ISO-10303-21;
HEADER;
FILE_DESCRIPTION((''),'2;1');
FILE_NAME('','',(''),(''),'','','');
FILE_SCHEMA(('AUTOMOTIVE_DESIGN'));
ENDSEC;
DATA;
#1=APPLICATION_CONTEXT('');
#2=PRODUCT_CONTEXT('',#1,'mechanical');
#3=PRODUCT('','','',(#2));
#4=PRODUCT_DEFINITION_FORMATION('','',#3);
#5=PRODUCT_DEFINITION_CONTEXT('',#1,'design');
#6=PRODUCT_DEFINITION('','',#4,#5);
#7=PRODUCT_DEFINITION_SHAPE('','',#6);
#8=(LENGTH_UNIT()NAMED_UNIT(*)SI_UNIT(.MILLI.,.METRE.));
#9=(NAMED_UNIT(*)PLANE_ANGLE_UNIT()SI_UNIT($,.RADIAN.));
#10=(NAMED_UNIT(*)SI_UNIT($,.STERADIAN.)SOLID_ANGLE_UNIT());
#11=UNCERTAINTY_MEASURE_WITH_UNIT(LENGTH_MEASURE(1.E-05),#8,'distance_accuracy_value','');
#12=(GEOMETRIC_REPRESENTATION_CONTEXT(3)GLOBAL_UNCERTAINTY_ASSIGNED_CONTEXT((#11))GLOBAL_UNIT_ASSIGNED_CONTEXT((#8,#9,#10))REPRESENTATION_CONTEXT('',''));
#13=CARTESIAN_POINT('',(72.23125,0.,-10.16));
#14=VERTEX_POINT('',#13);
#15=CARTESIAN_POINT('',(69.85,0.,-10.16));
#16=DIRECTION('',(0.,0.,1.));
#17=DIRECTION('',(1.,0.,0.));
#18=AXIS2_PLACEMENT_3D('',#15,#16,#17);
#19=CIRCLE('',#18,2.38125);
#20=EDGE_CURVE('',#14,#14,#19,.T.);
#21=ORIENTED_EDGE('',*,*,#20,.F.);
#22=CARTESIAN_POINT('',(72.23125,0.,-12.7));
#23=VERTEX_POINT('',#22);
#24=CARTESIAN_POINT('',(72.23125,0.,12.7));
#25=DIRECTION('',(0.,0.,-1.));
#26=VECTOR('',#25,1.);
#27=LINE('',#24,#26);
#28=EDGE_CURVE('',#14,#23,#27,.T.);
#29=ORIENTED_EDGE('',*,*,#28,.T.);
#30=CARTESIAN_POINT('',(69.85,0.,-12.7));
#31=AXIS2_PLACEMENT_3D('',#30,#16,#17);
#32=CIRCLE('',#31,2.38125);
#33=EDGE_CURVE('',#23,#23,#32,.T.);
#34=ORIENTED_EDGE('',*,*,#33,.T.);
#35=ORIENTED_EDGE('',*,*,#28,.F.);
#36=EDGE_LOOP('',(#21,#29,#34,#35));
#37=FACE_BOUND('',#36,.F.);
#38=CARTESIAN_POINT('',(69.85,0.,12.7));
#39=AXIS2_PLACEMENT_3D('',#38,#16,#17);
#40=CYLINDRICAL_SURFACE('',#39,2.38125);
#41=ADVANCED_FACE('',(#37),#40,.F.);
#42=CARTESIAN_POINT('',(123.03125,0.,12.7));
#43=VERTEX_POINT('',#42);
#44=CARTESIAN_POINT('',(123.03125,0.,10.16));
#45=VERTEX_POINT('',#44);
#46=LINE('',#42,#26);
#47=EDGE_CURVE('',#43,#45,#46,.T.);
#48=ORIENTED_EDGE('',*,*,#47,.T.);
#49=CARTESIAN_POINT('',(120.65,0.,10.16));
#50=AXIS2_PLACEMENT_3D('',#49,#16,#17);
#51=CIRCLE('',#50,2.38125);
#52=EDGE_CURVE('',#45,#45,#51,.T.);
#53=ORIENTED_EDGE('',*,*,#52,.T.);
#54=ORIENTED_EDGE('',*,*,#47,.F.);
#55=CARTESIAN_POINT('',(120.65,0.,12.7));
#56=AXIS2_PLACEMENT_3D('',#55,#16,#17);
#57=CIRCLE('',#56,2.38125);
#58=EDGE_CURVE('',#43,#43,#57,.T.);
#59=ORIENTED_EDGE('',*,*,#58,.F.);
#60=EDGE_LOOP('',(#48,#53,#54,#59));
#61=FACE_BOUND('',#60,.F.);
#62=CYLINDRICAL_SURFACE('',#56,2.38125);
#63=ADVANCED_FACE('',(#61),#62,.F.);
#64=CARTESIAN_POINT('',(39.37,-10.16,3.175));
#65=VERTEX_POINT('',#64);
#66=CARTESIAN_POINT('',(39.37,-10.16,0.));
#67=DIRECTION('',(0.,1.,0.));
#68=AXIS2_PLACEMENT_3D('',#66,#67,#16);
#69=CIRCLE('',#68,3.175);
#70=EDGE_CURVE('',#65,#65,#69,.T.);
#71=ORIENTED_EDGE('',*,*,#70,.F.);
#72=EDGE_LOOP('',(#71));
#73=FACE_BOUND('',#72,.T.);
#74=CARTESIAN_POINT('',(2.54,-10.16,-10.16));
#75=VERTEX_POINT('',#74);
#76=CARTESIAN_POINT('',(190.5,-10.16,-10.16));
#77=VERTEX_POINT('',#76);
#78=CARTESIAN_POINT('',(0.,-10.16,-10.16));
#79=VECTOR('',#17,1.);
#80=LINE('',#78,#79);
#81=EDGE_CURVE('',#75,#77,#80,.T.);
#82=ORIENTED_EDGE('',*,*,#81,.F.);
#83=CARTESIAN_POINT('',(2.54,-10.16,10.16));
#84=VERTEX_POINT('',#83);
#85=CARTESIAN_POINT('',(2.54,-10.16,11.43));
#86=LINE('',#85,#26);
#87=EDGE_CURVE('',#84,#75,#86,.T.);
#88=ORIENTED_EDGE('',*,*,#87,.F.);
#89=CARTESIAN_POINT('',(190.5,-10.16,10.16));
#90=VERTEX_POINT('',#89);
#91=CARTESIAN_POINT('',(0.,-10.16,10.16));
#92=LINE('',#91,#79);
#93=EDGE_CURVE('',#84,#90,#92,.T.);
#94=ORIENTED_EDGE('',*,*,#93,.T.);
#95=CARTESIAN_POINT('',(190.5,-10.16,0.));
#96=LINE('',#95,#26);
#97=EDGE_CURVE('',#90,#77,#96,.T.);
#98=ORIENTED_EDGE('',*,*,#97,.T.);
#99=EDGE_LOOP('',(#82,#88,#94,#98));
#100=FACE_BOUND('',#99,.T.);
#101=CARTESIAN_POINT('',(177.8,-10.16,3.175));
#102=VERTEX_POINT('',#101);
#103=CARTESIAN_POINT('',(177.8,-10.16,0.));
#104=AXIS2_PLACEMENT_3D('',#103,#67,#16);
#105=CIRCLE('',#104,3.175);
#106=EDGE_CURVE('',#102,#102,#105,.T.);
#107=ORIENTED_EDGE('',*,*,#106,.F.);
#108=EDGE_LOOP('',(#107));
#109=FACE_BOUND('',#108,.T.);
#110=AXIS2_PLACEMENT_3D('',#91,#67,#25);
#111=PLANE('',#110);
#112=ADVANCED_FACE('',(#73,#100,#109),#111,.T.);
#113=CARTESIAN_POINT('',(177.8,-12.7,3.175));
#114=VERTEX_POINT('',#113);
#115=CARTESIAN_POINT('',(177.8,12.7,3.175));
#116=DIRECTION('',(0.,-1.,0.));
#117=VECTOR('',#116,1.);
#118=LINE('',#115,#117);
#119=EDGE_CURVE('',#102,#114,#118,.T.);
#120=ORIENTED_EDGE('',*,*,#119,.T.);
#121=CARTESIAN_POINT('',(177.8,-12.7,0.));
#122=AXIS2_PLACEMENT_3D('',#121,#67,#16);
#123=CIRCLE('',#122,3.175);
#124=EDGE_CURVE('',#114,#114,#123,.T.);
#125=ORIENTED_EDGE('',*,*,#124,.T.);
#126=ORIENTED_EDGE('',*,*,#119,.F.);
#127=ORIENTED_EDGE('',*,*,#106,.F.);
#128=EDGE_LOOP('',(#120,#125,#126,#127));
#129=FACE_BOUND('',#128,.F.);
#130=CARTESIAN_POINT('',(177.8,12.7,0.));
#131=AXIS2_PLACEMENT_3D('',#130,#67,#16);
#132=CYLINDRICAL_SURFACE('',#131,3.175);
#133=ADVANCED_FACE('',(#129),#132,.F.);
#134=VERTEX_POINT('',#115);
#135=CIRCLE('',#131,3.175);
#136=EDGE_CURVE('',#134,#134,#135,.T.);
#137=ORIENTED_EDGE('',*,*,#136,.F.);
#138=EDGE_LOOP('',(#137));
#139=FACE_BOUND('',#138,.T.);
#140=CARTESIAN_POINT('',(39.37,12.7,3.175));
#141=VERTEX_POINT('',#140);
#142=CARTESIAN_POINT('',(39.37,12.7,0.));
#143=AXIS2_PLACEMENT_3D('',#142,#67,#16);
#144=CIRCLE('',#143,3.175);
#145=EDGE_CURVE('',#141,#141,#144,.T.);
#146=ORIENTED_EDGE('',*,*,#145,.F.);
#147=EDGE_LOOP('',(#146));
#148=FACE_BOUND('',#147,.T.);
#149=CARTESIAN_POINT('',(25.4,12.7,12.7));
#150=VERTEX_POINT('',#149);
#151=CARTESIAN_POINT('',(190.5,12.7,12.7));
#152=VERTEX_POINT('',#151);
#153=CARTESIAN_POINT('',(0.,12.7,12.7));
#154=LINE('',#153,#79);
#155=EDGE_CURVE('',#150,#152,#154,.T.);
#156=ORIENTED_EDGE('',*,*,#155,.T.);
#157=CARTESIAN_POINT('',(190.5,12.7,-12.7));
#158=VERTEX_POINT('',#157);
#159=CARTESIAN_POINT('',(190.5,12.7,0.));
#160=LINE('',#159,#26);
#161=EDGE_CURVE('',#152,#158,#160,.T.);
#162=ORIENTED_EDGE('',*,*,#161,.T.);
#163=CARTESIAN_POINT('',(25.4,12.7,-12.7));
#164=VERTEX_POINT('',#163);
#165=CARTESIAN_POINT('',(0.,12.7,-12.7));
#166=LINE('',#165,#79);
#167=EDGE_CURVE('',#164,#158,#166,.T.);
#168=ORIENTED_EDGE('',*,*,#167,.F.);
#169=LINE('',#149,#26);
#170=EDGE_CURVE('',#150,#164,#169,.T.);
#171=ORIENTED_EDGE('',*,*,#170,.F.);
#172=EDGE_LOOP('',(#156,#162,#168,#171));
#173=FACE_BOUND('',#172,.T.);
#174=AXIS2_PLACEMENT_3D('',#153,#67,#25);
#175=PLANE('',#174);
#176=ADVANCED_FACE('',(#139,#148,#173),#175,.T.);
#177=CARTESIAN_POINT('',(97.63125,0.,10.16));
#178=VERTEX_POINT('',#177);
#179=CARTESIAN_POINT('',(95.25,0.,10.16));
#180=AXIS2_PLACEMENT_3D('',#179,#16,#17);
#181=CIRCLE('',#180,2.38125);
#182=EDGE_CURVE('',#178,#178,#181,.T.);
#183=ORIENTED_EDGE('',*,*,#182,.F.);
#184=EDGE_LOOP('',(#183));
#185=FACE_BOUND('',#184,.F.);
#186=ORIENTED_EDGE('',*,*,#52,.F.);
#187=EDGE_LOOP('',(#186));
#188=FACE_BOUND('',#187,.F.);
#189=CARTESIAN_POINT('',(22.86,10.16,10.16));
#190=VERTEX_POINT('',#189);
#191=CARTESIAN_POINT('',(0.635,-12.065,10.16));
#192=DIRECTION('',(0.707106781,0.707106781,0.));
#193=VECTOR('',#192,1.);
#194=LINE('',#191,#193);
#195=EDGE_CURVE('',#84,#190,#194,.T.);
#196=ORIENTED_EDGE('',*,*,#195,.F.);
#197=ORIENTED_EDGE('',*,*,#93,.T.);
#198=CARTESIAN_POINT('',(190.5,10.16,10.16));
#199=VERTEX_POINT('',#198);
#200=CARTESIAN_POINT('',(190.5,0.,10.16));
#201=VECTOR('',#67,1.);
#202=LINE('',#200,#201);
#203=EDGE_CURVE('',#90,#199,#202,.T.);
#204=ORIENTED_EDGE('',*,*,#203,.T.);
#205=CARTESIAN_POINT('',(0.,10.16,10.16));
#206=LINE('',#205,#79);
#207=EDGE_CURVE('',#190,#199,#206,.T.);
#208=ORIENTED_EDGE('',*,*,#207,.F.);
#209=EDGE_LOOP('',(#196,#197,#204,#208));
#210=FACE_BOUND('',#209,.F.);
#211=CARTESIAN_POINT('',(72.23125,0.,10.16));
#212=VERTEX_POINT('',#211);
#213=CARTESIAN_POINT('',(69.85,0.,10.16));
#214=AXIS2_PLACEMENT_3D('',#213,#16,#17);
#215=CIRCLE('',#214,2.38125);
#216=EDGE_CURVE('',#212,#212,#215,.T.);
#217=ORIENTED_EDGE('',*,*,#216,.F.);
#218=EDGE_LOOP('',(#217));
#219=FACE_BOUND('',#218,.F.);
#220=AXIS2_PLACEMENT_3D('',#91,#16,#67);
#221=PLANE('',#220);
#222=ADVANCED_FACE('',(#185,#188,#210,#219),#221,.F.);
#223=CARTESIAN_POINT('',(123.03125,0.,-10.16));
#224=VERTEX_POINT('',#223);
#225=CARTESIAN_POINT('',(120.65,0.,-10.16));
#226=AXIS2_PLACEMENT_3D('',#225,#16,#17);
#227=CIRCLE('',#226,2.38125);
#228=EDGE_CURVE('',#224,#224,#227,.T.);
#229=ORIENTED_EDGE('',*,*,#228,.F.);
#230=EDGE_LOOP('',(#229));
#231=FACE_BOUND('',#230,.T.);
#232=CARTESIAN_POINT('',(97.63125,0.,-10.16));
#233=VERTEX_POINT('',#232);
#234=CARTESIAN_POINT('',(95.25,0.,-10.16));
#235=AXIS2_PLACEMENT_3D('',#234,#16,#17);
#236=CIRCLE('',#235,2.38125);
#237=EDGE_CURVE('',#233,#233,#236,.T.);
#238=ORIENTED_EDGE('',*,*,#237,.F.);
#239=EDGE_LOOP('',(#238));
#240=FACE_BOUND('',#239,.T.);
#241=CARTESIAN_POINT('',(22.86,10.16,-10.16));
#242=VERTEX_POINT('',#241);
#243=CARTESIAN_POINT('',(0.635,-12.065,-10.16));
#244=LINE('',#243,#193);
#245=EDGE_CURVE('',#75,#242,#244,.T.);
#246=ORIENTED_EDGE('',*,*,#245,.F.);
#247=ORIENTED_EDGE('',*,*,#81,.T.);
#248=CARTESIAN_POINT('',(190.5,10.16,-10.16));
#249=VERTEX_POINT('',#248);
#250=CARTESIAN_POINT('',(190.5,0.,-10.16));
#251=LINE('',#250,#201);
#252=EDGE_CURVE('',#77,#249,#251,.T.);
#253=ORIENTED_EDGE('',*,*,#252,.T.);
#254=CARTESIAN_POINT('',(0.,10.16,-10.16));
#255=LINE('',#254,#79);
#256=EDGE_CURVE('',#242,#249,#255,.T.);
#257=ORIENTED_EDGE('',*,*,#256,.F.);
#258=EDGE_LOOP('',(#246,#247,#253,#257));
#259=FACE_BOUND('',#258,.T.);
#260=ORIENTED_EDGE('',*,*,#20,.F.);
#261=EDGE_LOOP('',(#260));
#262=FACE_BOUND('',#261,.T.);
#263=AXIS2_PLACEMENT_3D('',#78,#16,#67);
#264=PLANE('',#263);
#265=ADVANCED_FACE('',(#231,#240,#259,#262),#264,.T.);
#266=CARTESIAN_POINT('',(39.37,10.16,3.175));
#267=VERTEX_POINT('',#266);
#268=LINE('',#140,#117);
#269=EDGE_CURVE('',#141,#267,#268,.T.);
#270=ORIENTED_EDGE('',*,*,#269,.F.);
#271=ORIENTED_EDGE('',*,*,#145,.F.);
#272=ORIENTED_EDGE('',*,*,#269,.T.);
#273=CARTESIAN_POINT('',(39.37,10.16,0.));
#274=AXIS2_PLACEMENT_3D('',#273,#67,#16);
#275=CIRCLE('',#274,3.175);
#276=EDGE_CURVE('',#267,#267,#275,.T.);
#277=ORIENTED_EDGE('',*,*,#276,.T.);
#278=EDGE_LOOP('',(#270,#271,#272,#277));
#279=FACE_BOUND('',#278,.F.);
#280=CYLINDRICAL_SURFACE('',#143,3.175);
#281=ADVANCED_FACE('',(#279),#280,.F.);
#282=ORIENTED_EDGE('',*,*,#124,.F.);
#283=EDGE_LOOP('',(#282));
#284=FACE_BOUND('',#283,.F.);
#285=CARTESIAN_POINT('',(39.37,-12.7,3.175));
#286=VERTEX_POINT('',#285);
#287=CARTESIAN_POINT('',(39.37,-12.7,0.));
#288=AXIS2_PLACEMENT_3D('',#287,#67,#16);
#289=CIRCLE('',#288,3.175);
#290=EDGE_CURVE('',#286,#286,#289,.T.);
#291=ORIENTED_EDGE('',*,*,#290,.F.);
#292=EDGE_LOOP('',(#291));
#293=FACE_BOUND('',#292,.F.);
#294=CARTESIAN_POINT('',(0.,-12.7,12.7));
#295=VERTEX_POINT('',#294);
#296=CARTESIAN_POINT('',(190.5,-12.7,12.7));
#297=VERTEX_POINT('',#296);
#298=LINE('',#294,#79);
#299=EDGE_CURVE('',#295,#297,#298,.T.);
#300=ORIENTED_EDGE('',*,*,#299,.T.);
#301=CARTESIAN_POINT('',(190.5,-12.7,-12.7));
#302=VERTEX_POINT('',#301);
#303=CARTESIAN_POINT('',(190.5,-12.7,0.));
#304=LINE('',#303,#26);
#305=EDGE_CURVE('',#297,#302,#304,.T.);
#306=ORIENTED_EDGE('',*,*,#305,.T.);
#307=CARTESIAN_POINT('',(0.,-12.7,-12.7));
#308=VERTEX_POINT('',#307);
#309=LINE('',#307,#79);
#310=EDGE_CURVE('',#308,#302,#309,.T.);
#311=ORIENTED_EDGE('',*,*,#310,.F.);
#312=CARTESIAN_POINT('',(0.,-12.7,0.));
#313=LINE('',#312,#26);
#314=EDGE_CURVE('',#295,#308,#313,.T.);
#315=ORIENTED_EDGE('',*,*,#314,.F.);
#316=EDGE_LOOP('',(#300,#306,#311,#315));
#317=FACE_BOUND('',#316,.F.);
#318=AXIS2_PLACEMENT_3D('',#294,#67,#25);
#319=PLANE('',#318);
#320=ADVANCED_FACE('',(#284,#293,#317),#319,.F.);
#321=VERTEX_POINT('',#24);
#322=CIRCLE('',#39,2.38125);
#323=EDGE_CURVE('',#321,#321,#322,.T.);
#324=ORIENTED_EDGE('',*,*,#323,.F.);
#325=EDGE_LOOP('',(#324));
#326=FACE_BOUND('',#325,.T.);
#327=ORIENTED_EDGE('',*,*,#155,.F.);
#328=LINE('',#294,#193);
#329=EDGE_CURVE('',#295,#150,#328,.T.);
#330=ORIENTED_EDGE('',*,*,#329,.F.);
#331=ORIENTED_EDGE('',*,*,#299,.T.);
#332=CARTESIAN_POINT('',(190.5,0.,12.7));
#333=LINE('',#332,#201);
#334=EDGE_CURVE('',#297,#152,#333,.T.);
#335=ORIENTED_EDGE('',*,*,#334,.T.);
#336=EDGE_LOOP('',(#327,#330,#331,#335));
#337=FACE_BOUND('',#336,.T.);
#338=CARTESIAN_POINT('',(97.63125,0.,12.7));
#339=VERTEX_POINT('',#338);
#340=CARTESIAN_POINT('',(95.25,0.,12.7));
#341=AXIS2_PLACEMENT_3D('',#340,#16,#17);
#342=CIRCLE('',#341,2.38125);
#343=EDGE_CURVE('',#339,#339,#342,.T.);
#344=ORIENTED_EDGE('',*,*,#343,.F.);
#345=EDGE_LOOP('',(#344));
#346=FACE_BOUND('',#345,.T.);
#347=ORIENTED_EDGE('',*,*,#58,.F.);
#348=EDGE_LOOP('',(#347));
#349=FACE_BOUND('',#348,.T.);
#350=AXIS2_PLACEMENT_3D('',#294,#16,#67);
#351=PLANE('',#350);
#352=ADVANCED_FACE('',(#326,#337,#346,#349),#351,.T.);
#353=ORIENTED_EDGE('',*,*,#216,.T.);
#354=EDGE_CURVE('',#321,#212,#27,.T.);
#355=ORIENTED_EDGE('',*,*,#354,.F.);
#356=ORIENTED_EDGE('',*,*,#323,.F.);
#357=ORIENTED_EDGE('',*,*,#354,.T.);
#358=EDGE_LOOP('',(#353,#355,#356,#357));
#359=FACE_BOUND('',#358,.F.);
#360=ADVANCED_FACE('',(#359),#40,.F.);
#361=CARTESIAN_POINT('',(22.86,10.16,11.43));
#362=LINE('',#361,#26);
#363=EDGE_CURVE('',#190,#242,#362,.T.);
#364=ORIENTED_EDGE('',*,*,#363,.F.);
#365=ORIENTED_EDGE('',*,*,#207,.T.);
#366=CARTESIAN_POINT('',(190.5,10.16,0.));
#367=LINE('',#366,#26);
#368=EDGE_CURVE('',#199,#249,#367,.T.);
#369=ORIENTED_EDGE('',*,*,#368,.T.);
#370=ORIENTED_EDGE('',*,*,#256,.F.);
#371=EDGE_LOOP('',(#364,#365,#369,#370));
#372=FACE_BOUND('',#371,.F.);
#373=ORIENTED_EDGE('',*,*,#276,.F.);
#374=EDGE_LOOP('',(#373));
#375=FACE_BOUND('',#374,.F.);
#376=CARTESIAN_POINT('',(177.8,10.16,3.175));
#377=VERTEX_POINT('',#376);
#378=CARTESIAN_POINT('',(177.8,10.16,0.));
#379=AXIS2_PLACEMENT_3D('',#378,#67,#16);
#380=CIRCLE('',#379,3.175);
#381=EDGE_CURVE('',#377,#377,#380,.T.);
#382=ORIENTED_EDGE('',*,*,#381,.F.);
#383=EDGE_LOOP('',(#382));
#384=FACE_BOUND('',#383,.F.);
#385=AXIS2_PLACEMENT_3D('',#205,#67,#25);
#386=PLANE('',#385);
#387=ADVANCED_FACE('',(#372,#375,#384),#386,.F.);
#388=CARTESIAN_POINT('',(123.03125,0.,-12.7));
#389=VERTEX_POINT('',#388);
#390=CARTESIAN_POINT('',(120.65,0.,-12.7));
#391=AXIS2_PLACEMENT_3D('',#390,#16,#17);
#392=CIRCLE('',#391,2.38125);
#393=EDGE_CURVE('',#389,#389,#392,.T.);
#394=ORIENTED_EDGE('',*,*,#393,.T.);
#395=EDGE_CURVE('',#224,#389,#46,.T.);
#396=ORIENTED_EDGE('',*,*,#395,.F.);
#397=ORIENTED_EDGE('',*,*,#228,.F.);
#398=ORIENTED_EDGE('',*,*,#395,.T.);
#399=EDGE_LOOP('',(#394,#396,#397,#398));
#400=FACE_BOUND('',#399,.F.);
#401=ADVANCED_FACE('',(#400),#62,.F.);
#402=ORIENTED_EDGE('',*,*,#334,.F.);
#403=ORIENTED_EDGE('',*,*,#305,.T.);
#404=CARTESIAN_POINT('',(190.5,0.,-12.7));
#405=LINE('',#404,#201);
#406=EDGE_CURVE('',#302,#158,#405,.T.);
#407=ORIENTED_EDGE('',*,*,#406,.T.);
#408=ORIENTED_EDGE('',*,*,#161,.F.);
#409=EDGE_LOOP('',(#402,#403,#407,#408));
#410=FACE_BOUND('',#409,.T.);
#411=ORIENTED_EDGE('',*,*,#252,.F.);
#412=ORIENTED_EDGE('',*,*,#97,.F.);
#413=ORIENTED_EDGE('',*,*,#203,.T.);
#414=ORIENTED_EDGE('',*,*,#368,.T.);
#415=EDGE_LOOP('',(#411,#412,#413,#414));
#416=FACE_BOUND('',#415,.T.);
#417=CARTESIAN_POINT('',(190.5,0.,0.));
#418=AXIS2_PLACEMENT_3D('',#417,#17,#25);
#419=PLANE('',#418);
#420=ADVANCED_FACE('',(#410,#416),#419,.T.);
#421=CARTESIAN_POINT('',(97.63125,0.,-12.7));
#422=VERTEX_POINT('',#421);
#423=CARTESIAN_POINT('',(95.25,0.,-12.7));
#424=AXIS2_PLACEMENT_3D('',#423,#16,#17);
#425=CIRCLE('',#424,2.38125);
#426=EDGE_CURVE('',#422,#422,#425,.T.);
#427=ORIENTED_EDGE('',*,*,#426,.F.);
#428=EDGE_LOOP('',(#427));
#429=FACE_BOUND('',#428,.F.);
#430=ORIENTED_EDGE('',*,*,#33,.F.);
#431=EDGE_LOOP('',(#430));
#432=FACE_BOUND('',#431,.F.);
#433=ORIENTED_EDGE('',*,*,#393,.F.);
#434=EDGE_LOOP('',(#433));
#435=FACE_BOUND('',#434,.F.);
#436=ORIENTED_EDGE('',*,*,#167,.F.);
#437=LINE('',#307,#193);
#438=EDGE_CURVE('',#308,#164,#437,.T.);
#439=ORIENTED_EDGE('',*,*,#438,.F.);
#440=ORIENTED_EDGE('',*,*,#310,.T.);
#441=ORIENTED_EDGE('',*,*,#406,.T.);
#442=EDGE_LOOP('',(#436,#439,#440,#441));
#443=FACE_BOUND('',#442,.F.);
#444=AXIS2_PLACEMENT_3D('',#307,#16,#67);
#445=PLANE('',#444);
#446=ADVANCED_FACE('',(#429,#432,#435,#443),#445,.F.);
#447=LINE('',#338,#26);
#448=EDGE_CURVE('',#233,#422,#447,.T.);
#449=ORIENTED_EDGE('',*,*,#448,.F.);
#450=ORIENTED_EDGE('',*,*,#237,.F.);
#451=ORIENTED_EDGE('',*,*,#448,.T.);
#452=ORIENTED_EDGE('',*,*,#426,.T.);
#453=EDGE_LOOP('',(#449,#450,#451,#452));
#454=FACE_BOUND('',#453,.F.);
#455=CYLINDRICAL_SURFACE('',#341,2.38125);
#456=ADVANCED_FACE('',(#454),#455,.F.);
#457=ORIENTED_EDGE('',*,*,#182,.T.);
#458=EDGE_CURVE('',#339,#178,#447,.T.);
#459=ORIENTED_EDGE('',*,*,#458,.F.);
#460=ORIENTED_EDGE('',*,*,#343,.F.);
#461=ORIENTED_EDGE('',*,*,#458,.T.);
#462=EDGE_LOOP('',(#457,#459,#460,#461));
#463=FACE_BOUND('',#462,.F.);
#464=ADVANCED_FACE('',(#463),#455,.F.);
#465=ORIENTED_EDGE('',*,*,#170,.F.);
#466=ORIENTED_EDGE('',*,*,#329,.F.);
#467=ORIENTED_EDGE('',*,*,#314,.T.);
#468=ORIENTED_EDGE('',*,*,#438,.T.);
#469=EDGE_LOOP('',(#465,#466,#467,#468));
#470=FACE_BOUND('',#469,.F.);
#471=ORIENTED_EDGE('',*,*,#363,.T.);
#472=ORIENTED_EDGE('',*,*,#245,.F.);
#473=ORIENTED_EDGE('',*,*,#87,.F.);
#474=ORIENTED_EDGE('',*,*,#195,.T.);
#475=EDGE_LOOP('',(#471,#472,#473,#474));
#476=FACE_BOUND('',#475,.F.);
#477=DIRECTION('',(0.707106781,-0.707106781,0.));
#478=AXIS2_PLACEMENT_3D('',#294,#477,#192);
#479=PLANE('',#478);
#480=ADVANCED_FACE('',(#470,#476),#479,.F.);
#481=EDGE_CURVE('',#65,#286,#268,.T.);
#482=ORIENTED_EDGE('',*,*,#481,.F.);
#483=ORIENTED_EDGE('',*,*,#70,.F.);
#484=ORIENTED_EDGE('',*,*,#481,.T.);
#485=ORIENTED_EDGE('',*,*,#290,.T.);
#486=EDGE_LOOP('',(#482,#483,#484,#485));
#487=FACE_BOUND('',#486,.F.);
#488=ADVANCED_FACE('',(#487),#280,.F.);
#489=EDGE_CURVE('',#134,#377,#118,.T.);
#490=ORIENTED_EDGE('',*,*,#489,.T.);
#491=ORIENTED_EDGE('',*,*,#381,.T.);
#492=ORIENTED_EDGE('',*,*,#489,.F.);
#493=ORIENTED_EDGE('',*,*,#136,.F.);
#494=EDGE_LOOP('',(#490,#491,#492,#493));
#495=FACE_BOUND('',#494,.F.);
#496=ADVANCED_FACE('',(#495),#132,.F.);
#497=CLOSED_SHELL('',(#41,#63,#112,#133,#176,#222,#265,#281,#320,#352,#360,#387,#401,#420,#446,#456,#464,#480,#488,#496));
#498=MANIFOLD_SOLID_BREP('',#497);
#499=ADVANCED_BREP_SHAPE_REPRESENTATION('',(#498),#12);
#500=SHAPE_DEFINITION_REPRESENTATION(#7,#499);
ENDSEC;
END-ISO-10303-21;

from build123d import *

# Parameters (mm, degrees)
SKETCH1_W           = 25.4
SKETCH1_H           = 25.4
SKETCH1_W_2         = 20.32
SKETCH1_H_2         = 20.32
BOSS_EXTRUDE1_DEPTH = 190.5
CUT_EXTRUDE1_DEPTH  = 193.605036279
SKETCH3_R           = 3.175
CUT_EXTRUDE2_DEPTH  = 193.605036279
SKETCH4_R           = 2.38125
CUT_EXTRUDE3_DEPTH  = 193.605036279


with BuildPart() as part:
    # Sketch1 → Boss-Extrude1 (new body)
    with BuildSketch(Plane(origin=(0, 0, 0), x_dir=(0, 0, -1), z_dir=(1, 0, 0))):
        Rectangle(SKETCH1_W, SKETCH1_H)
        Rectangle(SKETCH1_W_2, SKETCH1_H_2, mode=Mode.SUBTRACT)
    extrude(amount=BOSS_EXTRUDE1_DEPTH)

    # Sketch2 → Cut-Extrude1 (cut, through all)
    with BuildSketch(Plane.XY.offset(12.7)):
        Polygon((0, -12.7), (25.4, 12.7), (0, 12.7), align=None)
    extrude(amount=-CUT_EXTRUDE1_DEPTH, mode=Mode.SUBTRACT)

    # Sketch3 → Cut-Extrude2 (cut, through all)
    with BuildSketch(Plane(origin=(0, 12.7, 0), x_dir=(1, 0, 0), z_dir=(0, 1, 0))):
        with Locations(Location((177.8, 0, 0), (0, 0, 270))):
            Circle(SKETCH3_R)
        with Locations(Location((39.37, 0, 0), (0, 0, 270))):
            Circle(SKETCH3_R)
    extrude(amount=-CUT_EXTRUDE2_DEPTH, mode=Mode.SUBTRACT)

    # Sketch4 → Cut-Extrude3 (cut, through all)
    with BuildSketch(Plane.XY.offset(12.7)):
        with Locations((95.25, 0)):
            Circle(SKETCH4_R)
        with Locations((120.65, 0)):
            Circle(SKETCH4_R)
        with Locations((69.85, 0)):
            Circle(SKETCH4_R)
    extrude(amount=-CUT_EXTRUDE3_DEPTH, mode=Mode.SUBTRACT)


solid = part.part
